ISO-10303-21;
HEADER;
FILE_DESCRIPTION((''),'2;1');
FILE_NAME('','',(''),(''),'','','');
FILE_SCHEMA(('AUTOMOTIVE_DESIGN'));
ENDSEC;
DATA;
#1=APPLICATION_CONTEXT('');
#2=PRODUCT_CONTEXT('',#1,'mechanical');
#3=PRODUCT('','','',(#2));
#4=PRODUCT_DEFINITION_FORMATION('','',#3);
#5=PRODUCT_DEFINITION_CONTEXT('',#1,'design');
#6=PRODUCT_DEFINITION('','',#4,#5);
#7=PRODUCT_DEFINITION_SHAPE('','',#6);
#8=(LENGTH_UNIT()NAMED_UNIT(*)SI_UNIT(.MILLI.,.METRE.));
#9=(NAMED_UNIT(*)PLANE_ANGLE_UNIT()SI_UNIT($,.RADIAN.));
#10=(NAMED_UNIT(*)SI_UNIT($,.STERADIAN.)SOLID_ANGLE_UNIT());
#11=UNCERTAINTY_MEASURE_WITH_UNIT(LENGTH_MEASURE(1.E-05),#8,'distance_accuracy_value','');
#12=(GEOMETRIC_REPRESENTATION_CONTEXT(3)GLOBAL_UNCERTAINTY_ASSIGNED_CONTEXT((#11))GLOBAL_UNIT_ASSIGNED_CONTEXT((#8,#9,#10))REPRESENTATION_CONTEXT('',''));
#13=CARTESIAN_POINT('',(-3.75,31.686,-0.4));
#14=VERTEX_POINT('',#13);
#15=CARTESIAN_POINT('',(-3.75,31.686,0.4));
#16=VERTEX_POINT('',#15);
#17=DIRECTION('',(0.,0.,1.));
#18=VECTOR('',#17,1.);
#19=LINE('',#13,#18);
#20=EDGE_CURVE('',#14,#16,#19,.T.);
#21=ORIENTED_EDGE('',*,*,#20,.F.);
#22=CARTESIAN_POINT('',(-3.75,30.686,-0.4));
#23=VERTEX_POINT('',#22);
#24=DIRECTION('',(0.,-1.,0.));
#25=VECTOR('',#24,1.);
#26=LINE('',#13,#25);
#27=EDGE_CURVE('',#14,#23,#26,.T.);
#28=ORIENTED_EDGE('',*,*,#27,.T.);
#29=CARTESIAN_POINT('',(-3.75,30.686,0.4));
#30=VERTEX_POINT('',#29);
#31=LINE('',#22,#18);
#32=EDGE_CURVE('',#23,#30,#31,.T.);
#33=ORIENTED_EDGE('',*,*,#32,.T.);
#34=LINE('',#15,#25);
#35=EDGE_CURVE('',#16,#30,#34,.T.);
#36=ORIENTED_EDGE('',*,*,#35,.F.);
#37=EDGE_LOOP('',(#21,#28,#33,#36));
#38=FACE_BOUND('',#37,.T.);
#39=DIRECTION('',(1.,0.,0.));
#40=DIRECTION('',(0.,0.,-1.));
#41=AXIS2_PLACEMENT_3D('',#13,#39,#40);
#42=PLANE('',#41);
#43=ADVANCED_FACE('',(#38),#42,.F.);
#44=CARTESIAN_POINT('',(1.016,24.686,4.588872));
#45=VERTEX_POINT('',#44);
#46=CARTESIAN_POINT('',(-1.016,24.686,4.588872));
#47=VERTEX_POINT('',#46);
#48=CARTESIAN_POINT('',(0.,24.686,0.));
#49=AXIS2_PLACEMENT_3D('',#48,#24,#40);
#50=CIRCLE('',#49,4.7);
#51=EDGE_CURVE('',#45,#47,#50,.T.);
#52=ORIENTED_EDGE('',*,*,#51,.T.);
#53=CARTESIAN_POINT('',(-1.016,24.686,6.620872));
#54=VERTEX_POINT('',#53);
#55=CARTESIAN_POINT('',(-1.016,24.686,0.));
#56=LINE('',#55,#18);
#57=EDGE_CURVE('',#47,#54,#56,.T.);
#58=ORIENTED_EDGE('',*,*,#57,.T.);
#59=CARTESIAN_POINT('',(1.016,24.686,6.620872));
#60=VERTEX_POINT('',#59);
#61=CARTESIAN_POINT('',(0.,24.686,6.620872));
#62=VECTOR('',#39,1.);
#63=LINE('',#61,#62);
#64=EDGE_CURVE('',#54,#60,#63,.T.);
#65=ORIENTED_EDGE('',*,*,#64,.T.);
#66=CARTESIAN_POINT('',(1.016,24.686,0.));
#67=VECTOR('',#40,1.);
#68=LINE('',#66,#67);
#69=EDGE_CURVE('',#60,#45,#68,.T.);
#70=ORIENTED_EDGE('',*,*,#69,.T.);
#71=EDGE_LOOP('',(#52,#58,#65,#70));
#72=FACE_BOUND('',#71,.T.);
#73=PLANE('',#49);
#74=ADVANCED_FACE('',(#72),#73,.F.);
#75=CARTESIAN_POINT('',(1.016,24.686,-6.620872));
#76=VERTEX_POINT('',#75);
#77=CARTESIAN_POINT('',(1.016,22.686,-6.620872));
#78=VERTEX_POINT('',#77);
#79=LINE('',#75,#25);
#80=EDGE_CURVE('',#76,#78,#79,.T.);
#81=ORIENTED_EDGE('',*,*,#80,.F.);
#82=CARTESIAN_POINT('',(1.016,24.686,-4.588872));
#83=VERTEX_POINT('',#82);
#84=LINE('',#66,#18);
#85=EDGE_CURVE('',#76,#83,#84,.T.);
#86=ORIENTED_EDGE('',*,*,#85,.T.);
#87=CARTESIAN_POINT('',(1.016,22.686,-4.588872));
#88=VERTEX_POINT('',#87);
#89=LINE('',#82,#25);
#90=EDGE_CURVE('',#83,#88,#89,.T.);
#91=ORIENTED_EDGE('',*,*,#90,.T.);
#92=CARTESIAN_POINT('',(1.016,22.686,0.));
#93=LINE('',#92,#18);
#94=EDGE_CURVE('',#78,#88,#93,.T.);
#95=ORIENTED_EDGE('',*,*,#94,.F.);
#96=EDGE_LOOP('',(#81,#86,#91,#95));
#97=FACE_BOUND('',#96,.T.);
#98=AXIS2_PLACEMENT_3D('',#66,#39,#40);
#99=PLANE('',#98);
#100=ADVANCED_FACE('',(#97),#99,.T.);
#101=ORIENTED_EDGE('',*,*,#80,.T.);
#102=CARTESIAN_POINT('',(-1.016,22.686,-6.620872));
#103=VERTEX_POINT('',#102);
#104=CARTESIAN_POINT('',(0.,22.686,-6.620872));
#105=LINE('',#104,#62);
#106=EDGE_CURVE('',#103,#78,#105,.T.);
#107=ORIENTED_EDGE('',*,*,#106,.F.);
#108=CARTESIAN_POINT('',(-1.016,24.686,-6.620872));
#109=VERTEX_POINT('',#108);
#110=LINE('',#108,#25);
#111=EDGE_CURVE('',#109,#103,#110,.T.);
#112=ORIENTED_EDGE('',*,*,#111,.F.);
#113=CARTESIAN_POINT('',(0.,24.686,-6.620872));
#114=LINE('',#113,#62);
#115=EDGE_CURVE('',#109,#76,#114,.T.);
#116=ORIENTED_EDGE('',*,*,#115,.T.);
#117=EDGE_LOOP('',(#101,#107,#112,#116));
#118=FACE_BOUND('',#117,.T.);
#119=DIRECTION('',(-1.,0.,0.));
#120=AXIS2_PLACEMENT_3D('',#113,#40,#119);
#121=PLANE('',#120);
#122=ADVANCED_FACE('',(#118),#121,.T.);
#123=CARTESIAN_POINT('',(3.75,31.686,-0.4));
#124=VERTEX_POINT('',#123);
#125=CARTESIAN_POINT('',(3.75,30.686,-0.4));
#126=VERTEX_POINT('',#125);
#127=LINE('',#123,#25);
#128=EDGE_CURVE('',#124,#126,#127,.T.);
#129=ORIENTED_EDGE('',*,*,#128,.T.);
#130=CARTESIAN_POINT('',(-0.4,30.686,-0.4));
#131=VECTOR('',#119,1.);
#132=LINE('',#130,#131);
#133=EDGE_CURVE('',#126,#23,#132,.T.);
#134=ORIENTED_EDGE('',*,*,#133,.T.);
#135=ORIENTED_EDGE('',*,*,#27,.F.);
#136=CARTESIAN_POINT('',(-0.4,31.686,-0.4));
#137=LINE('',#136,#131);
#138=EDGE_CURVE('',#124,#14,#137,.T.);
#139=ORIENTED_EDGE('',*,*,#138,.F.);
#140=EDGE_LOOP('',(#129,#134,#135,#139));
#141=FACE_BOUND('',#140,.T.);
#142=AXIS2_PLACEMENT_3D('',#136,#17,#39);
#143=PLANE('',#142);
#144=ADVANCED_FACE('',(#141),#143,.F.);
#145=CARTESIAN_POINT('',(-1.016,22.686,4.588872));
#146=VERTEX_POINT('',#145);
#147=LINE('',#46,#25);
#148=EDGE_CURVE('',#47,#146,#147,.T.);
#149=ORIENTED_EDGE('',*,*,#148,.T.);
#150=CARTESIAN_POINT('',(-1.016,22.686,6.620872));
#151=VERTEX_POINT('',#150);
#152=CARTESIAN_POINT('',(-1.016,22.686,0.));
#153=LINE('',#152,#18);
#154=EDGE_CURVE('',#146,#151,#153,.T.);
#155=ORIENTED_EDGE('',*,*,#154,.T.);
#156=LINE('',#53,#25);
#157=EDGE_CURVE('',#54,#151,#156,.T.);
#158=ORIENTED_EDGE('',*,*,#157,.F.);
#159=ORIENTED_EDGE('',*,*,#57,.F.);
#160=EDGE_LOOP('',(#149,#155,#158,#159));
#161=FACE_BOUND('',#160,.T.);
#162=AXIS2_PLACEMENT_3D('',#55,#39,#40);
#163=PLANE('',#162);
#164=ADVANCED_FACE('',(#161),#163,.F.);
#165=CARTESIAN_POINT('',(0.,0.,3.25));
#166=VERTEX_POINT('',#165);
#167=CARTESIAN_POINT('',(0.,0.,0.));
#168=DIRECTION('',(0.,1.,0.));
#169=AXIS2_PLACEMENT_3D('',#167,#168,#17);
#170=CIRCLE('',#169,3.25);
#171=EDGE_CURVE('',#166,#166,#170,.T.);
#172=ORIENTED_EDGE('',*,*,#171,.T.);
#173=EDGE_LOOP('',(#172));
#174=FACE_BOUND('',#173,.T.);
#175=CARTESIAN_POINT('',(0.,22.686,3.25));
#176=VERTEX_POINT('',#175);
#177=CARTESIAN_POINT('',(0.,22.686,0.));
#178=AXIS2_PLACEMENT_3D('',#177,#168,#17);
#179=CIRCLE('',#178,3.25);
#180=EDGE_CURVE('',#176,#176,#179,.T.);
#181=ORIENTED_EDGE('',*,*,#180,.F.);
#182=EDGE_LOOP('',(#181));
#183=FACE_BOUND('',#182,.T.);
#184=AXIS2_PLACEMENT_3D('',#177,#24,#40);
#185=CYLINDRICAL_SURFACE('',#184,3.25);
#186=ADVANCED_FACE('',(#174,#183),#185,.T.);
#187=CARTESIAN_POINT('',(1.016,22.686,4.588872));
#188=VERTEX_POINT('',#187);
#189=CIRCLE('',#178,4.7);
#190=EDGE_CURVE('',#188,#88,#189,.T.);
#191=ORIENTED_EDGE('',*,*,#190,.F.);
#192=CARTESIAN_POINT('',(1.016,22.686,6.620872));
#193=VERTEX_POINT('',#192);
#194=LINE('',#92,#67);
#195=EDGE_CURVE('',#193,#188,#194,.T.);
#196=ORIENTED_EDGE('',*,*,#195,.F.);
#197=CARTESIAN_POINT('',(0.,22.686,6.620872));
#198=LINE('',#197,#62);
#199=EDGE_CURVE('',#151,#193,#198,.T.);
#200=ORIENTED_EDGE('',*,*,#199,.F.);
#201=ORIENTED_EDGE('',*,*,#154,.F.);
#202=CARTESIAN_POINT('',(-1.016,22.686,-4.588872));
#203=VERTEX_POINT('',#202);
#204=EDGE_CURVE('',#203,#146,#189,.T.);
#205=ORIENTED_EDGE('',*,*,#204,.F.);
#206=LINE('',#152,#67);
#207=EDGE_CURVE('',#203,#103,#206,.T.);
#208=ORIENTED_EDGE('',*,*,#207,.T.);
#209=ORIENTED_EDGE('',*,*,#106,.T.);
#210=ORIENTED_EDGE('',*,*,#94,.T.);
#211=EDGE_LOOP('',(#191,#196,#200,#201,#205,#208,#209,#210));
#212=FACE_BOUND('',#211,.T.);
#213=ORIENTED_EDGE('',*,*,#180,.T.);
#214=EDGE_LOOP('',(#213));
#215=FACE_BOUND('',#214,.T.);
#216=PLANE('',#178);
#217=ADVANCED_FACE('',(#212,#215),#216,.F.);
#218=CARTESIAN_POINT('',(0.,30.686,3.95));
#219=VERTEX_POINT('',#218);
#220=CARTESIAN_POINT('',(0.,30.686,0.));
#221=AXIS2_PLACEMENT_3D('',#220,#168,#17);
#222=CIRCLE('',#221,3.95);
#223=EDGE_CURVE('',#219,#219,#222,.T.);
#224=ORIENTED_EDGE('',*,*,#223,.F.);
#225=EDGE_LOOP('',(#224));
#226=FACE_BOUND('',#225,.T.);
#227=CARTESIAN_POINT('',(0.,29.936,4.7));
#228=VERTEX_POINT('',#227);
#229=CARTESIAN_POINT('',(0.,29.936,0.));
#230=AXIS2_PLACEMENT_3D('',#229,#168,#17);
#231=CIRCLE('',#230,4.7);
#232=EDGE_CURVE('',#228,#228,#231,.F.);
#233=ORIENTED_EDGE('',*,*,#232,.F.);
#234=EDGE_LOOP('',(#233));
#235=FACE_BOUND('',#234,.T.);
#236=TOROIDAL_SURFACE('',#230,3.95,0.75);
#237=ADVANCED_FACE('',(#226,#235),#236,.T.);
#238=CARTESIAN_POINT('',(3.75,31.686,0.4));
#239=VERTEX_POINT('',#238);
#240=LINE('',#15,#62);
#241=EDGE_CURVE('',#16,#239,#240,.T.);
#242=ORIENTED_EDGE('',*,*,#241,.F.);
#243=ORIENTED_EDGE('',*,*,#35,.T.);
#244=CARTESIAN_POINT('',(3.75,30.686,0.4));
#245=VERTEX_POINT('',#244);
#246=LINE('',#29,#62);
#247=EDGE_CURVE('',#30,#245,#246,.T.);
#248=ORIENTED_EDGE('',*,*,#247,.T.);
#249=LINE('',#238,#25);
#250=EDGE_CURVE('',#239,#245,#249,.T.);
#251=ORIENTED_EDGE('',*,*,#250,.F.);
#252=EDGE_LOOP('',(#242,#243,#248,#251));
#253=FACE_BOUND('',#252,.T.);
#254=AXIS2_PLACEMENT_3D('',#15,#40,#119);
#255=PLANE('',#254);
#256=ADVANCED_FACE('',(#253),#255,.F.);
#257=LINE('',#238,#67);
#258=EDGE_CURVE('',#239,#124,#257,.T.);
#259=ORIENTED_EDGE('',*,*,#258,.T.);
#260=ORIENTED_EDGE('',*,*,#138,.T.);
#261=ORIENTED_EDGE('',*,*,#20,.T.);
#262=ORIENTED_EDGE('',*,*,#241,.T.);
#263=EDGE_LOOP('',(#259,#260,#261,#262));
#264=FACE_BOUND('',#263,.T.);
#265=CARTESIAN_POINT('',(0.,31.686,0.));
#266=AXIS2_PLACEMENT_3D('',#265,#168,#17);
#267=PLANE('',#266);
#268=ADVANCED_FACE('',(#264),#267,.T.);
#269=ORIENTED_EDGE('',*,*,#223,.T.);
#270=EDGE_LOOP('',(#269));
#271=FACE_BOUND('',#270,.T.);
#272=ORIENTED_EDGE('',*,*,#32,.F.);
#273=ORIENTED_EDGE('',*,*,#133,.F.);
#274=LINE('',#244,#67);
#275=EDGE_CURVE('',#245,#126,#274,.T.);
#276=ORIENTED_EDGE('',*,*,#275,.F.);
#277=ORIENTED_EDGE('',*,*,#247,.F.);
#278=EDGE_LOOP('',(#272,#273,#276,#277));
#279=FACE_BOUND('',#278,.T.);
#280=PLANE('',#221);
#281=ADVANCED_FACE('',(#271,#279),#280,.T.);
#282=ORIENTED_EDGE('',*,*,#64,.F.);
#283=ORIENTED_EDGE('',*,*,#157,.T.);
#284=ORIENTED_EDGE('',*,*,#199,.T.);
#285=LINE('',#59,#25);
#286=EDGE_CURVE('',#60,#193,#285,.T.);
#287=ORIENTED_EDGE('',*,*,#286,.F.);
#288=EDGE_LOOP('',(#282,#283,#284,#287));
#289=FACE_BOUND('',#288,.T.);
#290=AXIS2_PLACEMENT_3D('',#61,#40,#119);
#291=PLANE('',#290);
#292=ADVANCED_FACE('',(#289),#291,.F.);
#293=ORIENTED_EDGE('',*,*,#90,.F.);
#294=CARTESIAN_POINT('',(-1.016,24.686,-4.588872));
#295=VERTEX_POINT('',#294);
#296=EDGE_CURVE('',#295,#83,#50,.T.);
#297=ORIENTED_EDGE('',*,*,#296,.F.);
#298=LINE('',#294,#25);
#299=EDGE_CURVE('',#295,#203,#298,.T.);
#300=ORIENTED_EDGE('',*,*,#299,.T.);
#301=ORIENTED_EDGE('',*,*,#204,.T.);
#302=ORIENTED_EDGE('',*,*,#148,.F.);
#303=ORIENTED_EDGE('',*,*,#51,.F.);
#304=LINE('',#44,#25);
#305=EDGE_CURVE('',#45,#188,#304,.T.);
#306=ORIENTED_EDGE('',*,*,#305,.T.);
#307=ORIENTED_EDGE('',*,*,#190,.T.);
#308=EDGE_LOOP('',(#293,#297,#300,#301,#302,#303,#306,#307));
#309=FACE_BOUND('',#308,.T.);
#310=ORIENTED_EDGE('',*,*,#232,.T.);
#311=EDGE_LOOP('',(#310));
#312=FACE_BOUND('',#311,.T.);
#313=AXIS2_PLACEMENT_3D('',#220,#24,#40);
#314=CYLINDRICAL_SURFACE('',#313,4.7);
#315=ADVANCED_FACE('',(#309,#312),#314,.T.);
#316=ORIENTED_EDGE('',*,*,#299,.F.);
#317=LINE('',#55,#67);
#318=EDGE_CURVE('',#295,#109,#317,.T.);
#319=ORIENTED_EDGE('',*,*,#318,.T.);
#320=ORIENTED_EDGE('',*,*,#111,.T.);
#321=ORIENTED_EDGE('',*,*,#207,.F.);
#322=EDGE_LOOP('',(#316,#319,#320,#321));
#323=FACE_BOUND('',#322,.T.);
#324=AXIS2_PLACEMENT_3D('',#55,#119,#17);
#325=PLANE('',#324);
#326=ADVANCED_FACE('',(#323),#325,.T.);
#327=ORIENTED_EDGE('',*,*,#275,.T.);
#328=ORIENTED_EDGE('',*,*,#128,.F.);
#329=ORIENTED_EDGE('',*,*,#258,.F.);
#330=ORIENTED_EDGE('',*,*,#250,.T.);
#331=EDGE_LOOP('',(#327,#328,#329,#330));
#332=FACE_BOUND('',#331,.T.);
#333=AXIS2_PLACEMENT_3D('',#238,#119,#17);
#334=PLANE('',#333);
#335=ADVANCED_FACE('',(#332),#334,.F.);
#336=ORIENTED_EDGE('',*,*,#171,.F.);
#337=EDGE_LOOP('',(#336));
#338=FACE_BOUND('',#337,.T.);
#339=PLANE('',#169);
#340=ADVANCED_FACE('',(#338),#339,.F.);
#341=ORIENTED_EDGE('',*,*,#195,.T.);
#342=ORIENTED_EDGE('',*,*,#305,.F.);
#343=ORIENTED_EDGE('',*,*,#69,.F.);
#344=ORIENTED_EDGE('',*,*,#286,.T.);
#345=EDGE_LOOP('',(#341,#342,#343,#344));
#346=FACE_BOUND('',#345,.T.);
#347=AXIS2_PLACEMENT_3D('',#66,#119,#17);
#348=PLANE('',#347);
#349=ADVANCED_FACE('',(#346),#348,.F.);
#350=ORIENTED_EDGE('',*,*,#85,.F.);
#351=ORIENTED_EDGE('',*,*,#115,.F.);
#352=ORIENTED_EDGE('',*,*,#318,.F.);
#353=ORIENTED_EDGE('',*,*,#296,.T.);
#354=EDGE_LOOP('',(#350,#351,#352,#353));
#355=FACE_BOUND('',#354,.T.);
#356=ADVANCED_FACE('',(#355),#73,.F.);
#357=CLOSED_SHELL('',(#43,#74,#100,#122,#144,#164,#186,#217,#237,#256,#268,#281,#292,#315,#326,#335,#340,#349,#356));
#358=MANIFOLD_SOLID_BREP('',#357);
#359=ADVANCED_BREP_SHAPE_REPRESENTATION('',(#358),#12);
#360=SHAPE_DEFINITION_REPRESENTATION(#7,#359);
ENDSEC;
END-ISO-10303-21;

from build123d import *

# Parameters (mm, degrees)
SKETCH1_R           = 3.25
BOSS_EXTRUDE1_DEPTH = 22.686
SKETCH6_R           = 4.7
BOSS_EXTRUDE2_DEPTH = 8
BOSS_EXTRUDE3_DEPTH = 1
FILLET1_R           = 0.75
SKETCH9_W           = 0.8
SKETCH9_H           = 3.35
CUT_EXTRUDE3_DEPTH  = 1
BOSS_EXTRUDE4_DEPTH = 2


with BuildPart() as part:
    # Sketch1 → Boss-Extrude1 (new body)
    with BuildSketch(Plane(origin=(0, 0, 0), x_dir=(1, 0, 0), z_dir=(0, 1, 0))):
        Circle(SKETCH1_R)
    extrude(amount=BOSS_EXTRUDE1_DEPTH)

    # Sketch6 → Boss-Extrude2 (add)
    with BuildSketch(Plane(origin=(0, 22.686, 0), x_dir=(1, 0, 0), z_dir=(0, 1, 0))):
        Circle(SKETCH6_R)
    extrude(amount=BOSS_EXTRUDE2_DEPTH)

    # Sketch8 → Boss-Extrude3 (add)
    with BuildSketch(Plane(origin=(0, 30.686, 0), x_dir=(1, 0, 0), z_dir=(0, 1, 0))):
        Polygon((0.4, 3.75), (-0.4, 3.75), (-0.4, 0.4), (-3.75, 0.4), (-3.75, -0.4), (-0.4, -0.4), (-0.4, -3.75), (0.4, -3.75), (0.4, -0.4), (3.75, -0.4), (3.75, 0.4), (0.4, 0.4), align=None)
    extrude(amount=BOSS_EXTRUDE3_DEPTH)

    # Fillet1
    fillet1_edges = [part.edges().sort_by_distance(p)[0] for p in [
        (-4.7, 30.686, 0),
    ]]
    fillet(fillet1_edges, radius=FILLET1_R)

    # Sketch9 → Cut-Extrude3 (cut)
    with BuildSketch(Plane(origin=(0, 30.686, 0), x_dir=(1, 0, 0), z_dir=(0, 1, 0))):
        with Locations((0, 2.075)):
            Rectangle(SKETCH9_W, SKETCH9_H)
        with Locations((0, -2.075)):
            Rectangle(SKETCH9_W, SKETCH9_H)
    extrude(amount=CUT_EXTRUDE3_DEPTH, mode=Mode.SUBTRACT)

    # Sketch10 → Boss-Extrude4 (add)
    with BuildSketch(Plane.XZ.offset(-22.686)):
        with BuildLine():
            Line((-1.016, 6.620871757), (-1.016, 4.588871757))
            ThreePointArc((-1.016, 4.588871757), (0, 4.7), (1.016, 4.588871757))
            Line((1.016, 4.588871757), (1.016, 6.620871757))
            Line((1.016, 6.620871757), (-1.016, 6.620871757))
        make_face()
        with BuildLine():
            ThreePointArc((1.016, -4.588871757), (0, -4.7), (-1.016, -4.588871757))
            Line((-1.016, -4.588871757), (-1.016, -6.620871757))
            Line((-1.016, -6.620871757), (1.016, -6.620871757))
            Line((1.016, -6.620871757), (1.016, -4.588871757))
        make_face()
    extrude(amount=-BOSS_EXTRUDE4_DEPTH)


solid = part.part
